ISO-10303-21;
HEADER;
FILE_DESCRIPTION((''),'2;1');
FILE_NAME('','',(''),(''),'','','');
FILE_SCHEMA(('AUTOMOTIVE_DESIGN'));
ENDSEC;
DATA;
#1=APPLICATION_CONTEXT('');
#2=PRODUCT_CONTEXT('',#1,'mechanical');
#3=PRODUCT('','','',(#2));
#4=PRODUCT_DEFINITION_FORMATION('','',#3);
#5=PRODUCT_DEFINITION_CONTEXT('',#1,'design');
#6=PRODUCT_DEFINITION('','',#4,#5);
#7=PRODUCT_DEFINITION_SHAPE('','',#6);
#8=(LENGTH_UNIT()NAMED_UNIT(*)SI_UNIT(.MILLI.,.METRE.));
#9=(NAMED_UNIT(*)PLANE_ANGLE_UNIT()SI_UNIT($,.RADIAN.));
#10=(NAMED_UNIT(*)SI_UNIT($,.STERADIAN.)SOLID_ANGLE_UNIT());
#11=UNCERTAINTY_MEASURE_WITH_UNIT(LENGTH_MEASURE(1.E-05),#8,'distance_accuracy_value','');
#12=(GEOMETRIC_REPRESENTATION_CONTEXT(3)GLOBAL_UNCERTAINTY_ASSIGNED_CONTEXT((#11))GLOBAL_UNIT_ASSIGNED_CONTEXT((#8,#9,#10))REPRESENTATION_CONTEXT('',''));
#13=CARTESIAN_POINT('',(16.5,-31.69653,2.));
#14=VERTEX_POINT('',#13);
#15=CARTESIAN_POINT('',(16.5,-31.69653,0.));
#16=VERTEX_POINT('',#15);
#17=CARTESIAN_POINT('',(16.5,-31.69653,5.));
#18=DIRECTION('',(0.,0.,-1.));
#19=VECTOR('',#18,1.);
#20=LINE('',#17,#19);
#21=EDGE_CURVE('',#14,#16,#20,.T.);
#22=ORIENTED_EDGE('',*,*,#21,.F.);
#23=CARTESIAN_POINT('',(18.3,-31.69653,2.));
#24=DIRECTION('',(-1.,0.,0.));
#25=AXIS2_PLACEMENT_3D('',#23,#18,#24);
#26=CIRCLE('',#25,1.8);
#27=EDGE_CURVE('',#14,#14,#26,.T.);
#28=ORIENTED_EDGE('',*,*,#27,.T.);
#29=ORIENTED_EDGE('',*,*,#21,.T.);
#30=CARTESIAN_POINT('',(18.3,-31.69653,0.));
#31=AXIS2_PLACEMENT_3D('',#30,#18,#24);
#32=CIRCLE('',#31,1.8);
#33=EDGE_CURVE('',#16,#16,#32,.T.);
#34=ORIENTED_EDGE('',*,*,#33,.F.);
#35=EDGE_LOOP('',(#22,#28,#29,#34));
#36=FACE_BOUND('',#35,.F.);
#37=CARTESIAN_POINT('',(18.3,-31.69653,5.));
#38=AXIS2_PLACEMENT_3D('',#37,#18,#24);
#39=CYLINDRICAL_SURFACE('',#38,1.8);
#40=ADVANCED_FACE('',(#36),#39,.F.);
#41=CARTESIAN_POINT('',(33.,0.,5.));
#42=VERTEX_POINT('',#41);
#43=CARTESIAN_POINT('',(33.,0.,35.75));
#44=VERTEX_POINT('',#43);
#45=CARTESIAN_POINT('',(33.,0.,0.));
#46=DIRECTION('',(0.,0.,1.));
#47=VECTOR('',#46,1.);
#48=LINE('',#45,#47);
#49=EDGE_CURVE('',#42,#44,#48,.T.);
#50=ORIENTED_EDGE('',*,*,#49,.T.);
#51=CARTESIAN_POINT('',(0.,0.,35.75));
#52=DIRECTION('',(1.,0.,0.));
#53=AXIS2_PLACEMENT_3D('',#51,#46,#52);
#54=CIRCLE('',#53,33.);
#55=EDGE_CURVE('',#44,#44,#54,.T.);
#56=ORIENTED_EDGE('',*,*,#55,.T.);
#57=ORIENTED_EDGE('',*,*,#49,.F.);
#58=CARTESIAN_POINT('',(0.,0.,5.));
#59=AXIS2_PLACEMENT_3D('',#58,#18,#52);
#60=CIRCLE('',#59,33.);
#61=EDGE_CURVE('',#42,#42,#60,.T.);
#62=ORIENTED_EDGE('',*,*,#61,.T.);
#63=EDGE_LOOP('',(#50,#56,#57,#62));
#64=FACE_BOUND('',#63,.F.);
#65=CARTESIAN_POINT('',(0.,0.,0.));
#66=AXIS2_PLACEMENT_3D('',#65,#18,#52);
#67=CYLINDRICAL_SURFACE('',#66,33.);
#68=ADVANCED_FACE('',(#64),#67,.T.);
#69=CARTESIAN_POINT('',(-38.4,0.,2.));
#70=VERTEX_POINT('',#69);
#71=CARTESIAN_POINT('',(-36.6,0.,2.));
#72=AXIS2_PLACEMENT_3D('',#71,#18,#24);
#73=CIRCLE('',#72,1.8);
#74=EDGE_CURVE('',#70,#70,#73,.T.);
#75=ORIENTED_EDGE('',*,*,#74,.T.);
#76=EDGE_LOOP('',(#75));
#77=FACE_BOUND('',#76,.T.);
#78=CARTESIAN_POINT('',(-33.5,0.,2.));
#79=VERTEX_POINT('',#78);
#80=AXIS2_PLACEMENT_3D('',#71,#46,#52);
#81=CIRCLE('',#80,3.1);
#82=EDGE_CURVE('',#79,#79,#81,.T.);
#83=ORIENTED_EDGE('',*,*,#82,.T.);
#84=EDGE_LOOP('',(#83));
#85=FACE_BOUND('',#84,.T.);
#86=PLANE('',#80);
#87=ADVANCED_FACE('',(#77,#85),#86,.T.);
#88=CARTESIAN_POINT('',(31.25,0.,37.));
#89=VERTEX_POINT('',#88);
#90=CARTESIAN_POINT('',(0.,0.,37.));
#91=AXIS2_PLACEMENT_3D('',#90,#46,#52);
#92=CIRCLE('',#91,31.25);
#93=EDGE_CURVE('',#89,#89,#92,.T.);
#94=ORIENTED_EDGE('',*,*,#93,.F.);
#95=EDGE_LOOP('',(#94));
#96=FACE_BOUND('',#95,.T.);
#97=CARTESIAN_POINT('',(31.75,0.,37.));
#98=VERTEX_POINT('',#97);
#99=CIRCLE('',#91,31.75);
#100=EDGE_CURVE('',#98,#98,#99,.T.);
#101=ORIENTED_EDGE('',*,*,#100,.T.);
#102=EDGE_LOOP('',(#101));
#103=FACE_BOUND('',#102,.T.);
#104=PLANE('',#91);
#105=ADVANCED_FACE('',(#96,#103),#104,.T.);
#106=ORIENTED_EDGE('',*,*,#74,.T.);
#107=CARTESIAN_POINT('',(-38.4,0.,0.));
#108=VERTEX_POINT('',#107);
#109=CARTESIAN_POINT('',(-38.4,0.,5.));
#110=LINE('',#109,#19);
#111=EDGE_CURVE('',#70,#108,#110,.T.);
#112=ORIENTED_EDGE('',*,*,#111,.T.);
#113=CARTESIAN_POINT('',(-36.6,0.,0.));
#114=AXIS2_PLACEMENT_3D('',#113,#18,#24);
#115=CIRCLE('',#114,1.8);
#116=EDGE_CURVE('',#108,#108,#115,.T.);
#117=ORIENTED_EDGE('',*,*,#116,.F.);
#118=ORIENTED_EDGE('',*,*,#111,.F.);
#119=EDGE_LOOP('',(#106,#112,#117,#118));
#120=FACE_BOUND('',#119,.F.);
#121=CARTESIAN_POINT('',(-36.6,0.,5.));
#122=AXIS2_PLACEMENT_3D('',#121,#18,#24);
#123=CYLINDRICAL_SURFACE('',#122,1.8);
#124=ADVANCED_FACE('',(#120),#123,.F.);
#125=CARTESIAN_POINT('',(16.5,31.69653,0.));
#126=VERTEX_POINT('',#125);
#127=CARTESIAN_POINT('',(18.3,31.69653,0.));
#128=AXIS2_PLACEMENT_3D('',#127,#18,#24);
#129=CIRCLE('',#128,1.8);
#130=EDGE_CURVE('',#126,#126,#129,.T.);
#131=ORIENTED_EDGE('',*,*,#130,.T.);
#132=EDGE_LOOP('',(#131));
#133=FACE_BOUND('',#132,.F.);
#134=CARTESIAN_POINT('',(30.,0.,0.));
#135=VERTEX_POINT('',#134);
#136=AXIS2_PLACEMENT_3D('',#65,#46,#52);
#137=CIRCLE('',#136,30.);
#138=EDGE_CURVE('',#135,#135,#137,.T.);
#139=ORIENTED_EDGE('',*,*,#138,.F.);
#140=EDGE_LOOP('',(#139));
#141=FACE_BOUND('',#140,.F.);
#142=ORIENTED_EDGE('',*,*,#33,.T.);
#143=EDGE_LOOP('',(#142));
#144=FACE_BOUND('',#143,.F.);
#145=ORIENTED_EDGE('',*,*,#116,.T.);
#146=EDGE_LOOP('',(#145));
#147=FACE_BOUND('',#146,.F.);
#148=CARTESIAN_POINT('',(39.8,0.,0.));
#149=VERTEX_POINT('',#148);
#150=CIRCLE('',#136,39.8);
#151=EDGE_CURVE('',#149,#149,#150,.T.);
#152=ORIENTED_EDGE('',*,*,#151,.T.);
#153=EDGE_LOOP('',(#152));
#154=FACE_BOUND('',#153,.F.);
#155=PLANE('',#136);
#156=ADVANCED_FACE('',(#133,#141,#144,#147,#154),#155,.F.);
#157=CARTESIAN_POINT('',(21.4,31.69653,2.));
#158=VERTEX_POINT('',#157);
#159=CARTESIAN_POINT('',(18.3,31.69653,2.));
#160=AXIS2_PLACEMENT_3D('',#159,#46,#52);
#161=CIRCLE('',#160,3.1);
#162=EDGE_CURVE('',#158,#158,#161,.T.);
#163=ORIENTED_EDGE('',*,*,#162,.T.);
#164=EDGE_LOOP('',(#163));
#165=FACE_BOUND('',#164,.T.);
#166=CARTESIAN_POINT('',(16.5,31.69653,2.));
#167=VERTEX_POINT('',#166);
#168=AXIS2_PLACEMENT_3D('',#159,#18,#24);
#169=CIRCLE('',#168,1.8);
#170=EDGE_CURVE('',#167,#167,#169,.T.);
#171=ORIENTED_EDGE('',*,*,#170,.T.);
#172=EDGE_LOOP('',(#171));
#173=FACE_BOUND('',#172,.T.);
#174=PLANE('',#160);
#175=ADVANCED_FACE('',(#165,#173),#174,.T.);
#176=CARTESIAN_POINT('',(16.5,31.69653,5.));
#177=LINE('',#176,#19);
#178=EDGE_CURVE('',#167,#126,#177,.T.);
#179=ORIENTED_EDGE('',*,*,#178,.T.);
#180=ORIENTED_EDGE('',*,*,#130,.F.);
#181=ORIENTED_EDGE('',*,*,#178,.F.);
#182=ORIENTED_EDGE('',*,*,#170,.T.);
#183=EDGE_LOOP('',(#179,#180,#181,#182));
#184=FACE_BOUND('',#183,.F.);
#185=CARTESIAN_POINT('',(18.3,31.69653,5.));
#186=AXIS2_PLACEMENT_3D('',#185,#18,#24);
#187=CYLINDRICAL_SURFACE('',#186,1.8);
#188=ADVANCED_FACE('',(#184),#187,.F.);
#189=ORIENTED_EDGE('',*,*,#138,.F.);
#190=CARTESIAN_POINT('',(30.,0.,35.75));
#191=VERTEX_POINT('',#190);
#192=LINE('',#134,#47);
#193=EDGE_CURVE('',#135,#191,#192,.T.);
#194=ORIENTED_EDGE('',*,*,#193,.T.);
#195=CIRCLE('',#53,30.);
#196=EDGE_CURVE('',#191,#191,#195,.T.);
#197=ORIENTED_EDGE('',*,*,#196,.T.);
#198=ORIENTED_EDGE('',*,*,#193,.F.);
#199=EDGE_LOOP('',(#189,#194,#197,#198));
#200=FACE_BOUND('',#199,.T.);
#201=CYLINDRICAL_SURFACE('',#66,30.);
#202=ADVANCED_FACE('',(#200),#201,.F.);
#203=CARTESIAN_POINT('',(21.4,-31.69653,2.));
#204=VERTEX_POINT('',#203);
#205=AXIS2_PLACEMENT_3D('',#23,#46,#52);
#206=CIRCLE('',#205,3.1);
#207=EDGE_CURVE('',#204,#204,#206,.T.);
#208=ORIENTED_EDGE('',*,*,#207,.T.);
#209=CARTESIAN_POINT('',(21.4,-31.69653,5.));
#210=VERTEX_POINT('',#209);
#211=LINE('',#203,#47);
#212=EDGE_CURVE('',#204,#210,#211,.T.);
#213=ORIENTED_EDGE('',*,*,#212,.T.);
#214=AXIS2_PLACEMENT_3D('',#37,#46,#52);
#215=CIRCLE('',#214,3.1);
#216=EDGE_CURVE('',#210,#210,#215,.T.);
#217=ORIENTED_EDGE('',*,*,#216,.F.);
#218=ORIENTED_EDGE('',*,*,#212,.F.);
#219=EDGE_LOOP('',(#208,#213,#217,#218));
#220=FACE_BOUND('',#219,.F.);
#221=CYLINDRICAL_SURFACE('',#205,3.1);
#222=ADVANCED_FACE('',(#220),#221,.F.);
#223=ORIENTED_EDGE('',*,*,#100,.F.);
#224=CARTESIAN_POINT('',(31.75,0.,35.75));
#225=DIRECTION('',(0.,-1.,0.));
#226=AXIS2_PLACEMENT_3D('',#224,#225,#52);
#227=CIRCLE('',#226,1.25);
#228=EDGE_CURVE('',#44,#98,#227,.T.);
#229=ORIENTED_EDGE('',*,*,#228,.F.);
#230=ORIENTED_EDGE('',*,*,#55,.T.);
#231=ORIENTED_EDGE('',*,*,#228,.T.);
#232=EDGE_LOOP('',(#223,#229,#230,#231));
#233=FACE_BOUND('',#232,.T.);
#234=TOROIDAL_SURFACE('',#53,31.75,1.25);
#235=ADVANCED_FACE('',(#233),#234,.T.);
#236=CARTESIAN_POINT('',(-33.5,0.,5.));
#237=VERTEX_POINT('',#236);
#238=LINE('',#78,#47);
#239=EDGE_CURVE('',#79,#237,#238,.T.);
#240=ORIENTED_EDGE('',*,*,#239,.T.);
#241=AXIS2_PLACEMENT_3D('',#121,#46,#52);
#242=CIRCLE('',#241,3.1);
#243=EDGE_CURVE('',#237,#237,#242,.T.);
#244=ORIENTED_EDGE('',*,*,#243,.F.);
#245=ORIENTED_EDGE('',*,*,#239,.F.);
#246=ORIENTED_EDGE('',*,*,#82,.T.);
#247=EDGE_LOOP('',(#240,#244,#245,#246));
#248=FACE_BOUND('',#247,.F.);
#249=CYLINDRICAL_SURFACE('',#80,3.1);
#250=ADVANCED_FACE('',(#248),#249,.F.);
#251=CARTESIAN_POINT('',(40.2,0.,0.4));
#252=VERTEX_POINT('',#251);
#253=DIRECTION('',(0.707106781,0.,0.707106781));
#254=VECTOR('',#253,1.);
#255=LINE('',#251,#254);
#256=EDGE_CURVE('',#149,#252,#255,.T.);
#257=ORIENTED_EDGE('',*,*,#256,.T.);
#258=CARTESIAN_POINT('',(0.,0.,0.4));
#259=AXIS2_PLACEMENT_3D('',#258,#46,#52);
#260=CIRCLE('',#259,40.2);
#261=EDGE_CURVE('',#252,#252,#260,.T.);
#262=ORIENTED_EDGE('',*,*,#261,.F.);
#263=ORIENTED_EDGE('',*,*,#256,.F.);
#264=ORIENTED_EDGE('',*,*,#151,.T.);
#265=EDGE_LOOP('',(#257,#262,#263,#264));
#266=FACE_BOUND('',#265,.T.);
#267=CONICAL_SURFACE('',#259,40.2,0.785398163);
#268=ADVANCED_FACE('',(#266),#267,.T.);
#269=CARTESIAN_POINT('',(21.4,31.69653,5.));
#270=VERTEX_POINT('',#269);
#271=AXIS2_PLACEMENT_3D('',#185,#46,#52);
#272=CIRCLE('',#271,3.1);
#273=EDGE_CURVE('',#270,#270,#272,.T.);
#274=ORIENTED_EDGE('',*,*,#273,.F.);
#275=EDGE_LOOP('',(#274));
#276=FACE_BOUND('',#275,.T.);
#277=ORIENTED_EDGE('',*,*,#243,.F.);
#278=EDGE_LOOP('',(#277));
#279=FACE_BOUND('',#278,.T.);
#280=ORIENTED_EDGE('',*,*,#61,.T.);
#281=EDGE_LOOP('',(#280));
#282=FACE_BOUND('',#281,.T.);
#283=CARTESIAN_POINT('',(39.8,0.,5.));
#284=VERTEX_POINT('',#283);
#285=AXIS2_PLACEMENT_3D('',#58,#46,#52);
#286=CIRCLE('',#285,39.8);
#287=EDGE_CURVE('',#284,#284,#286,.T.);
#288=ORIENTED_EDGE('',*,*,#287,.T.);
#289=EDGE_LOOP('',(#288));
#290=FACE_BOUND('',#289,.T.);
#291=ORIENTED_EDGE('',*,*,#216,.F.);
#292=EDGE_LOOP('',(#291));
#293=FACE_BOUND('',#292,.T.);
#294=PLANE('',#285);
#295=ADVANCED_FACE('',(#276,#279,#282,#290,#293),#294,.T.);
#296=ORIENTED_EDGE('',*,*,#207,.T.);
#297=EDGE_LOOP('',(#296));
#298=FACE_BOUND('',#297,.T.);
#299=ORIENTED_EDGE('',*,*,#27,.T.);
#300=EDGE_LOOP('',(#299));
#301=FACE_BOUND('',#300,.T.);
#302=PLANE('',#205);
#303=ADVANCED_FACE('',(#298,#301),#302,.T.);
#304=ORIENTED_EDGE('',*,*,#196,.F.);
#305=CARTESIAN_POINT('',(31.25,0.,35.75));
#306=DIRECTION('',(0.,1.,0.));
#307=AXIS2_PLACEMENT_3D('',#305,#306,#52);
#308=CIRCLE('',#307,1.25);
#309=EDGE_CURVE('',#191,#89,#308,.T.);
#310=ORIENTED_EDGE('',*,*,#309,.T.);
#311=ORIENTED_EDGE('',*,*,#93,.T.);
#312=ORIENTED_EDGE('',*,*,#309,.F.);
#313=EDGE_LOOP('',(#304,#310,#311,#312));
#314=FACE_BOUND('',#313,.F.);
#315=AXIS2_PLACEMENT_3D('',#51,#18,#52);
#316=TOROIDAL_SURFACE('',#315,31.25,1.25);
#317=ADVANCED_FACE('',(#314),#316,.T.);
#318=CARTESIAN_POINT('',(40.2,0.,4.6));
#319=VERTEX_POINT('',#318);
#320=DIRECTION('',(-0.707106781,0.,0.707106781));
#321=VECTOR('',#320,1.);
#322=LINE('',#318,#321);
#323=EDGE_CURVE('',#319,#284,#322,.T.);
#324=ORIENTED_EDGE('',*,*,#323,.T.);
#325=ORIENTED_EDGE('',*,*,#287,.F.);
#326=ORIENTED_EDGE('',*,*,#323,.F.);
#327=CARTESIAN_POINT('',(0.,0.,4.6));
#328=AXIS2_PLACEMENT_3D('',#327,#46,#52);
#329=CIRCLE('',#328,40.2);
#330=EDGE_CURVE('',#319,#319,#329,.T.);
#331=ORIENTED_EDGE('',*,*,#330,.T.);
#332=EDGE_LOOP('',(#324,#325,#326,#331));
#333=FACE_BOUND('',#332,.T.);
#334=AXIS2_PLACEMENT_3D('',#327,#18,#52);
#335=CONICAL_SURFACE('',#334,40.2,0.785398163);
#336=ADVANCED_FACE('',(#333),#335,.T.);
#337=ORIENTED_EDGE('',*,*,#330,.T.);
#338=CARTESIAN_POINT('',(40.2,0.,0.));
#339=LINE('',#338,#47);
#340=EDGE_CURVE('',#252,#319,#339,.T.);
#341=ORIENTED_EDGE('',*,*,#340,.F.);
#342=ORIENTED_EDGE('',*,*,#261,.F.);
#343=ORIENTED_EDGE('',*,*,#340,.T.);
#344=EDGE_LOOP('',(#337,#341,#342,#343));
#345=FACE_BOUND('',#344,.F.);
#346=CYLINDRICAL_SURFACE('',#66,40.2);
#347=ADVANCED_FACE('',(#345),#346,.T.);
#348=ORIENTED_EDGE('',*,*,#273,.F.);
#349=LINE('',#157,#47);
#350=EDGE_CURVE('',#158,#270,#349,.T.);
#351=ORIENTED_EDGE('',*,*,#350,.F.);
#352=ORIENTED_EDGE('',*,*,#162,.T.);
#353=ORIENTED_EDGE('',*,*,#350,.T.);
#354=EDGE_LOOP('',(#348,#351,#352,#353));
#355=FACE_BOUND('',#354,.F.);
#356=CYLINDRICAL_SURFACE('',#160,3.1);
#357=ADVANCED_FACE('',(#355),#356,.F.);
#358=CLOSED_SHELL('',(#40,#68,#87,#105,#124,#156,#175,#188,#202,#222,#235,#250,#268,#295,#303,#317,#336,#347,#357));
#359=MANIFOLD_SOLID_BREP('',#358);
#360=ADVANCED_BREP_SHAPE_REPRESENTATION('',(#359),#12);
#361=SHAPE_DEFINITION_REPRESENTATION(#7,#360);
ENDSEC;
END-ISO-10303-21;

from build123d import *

# Parameters (mm, degrees)
SKETCH_R         = 33
PAD_DEPTH        = 37
SKETCH001_R      = 40.2
PAD001_DEPTH     = 5
SKETCH002_R      = 30
POCKET_DEPTH     = 37
HOLE_D           = 3.6
HOLE_DEPTH       = 5
HOLE_CBORE_D     = 6.2
HOLE_CBORE_DEPTH = 3
FILLET001_R      = 1.25
CHAMFER_SIZE     = 0.4


with BuildPart() as part:
    # Sketch → Pad (new body)
    with BuildSketch(Plane.XY):
        Circle(SKETCH_R)
    extrude(amount=PAD_DEPTH)

    # Sketch001 → Pad001 (join)
    with BuildSketch(Plane.XY):
        Circle(SKETCH001_R)
    extrude(amount=PAD001_DEPTH)

    # Sketch002 → Pocket (cut)
    with BuildSketch(Plane.XY):
        Circle(SKETCH002_R)
    extrude(amount=POCKET_DEPTH, mode=Mode.SUBTRACT)

    # Hole
    with Locations(Plane.XY.offset(5)):
        with Locations((-36.6, 0), (18.3, 31.69653), (18.3, -31.69653)):
            CounterBoreHole(HOLE_D / 2, HOLE_CBORE_D / 2, HOLE_CBORE_DEPTH, depth=HOLE_DEPTH)

    # Fillet001
    fillet001_edges = [part.edges().sort_by_distance(p)[0] for p in [
        (-33, 0, 37),
        (-30, 0, 37),
    ]]
    fillet(fillet001_edges, radius=FILLET001_R)

    # Chamfer
    chamfer_edges = [part.edges().sort_by_distance(p)[0] for p in [
        (-40.2, 0, 5),
        (-40.2, 0, 0),
    ]]
    chamfer(chamfer_edges, length=CHAMFER_SIZE)


solid = part.part
